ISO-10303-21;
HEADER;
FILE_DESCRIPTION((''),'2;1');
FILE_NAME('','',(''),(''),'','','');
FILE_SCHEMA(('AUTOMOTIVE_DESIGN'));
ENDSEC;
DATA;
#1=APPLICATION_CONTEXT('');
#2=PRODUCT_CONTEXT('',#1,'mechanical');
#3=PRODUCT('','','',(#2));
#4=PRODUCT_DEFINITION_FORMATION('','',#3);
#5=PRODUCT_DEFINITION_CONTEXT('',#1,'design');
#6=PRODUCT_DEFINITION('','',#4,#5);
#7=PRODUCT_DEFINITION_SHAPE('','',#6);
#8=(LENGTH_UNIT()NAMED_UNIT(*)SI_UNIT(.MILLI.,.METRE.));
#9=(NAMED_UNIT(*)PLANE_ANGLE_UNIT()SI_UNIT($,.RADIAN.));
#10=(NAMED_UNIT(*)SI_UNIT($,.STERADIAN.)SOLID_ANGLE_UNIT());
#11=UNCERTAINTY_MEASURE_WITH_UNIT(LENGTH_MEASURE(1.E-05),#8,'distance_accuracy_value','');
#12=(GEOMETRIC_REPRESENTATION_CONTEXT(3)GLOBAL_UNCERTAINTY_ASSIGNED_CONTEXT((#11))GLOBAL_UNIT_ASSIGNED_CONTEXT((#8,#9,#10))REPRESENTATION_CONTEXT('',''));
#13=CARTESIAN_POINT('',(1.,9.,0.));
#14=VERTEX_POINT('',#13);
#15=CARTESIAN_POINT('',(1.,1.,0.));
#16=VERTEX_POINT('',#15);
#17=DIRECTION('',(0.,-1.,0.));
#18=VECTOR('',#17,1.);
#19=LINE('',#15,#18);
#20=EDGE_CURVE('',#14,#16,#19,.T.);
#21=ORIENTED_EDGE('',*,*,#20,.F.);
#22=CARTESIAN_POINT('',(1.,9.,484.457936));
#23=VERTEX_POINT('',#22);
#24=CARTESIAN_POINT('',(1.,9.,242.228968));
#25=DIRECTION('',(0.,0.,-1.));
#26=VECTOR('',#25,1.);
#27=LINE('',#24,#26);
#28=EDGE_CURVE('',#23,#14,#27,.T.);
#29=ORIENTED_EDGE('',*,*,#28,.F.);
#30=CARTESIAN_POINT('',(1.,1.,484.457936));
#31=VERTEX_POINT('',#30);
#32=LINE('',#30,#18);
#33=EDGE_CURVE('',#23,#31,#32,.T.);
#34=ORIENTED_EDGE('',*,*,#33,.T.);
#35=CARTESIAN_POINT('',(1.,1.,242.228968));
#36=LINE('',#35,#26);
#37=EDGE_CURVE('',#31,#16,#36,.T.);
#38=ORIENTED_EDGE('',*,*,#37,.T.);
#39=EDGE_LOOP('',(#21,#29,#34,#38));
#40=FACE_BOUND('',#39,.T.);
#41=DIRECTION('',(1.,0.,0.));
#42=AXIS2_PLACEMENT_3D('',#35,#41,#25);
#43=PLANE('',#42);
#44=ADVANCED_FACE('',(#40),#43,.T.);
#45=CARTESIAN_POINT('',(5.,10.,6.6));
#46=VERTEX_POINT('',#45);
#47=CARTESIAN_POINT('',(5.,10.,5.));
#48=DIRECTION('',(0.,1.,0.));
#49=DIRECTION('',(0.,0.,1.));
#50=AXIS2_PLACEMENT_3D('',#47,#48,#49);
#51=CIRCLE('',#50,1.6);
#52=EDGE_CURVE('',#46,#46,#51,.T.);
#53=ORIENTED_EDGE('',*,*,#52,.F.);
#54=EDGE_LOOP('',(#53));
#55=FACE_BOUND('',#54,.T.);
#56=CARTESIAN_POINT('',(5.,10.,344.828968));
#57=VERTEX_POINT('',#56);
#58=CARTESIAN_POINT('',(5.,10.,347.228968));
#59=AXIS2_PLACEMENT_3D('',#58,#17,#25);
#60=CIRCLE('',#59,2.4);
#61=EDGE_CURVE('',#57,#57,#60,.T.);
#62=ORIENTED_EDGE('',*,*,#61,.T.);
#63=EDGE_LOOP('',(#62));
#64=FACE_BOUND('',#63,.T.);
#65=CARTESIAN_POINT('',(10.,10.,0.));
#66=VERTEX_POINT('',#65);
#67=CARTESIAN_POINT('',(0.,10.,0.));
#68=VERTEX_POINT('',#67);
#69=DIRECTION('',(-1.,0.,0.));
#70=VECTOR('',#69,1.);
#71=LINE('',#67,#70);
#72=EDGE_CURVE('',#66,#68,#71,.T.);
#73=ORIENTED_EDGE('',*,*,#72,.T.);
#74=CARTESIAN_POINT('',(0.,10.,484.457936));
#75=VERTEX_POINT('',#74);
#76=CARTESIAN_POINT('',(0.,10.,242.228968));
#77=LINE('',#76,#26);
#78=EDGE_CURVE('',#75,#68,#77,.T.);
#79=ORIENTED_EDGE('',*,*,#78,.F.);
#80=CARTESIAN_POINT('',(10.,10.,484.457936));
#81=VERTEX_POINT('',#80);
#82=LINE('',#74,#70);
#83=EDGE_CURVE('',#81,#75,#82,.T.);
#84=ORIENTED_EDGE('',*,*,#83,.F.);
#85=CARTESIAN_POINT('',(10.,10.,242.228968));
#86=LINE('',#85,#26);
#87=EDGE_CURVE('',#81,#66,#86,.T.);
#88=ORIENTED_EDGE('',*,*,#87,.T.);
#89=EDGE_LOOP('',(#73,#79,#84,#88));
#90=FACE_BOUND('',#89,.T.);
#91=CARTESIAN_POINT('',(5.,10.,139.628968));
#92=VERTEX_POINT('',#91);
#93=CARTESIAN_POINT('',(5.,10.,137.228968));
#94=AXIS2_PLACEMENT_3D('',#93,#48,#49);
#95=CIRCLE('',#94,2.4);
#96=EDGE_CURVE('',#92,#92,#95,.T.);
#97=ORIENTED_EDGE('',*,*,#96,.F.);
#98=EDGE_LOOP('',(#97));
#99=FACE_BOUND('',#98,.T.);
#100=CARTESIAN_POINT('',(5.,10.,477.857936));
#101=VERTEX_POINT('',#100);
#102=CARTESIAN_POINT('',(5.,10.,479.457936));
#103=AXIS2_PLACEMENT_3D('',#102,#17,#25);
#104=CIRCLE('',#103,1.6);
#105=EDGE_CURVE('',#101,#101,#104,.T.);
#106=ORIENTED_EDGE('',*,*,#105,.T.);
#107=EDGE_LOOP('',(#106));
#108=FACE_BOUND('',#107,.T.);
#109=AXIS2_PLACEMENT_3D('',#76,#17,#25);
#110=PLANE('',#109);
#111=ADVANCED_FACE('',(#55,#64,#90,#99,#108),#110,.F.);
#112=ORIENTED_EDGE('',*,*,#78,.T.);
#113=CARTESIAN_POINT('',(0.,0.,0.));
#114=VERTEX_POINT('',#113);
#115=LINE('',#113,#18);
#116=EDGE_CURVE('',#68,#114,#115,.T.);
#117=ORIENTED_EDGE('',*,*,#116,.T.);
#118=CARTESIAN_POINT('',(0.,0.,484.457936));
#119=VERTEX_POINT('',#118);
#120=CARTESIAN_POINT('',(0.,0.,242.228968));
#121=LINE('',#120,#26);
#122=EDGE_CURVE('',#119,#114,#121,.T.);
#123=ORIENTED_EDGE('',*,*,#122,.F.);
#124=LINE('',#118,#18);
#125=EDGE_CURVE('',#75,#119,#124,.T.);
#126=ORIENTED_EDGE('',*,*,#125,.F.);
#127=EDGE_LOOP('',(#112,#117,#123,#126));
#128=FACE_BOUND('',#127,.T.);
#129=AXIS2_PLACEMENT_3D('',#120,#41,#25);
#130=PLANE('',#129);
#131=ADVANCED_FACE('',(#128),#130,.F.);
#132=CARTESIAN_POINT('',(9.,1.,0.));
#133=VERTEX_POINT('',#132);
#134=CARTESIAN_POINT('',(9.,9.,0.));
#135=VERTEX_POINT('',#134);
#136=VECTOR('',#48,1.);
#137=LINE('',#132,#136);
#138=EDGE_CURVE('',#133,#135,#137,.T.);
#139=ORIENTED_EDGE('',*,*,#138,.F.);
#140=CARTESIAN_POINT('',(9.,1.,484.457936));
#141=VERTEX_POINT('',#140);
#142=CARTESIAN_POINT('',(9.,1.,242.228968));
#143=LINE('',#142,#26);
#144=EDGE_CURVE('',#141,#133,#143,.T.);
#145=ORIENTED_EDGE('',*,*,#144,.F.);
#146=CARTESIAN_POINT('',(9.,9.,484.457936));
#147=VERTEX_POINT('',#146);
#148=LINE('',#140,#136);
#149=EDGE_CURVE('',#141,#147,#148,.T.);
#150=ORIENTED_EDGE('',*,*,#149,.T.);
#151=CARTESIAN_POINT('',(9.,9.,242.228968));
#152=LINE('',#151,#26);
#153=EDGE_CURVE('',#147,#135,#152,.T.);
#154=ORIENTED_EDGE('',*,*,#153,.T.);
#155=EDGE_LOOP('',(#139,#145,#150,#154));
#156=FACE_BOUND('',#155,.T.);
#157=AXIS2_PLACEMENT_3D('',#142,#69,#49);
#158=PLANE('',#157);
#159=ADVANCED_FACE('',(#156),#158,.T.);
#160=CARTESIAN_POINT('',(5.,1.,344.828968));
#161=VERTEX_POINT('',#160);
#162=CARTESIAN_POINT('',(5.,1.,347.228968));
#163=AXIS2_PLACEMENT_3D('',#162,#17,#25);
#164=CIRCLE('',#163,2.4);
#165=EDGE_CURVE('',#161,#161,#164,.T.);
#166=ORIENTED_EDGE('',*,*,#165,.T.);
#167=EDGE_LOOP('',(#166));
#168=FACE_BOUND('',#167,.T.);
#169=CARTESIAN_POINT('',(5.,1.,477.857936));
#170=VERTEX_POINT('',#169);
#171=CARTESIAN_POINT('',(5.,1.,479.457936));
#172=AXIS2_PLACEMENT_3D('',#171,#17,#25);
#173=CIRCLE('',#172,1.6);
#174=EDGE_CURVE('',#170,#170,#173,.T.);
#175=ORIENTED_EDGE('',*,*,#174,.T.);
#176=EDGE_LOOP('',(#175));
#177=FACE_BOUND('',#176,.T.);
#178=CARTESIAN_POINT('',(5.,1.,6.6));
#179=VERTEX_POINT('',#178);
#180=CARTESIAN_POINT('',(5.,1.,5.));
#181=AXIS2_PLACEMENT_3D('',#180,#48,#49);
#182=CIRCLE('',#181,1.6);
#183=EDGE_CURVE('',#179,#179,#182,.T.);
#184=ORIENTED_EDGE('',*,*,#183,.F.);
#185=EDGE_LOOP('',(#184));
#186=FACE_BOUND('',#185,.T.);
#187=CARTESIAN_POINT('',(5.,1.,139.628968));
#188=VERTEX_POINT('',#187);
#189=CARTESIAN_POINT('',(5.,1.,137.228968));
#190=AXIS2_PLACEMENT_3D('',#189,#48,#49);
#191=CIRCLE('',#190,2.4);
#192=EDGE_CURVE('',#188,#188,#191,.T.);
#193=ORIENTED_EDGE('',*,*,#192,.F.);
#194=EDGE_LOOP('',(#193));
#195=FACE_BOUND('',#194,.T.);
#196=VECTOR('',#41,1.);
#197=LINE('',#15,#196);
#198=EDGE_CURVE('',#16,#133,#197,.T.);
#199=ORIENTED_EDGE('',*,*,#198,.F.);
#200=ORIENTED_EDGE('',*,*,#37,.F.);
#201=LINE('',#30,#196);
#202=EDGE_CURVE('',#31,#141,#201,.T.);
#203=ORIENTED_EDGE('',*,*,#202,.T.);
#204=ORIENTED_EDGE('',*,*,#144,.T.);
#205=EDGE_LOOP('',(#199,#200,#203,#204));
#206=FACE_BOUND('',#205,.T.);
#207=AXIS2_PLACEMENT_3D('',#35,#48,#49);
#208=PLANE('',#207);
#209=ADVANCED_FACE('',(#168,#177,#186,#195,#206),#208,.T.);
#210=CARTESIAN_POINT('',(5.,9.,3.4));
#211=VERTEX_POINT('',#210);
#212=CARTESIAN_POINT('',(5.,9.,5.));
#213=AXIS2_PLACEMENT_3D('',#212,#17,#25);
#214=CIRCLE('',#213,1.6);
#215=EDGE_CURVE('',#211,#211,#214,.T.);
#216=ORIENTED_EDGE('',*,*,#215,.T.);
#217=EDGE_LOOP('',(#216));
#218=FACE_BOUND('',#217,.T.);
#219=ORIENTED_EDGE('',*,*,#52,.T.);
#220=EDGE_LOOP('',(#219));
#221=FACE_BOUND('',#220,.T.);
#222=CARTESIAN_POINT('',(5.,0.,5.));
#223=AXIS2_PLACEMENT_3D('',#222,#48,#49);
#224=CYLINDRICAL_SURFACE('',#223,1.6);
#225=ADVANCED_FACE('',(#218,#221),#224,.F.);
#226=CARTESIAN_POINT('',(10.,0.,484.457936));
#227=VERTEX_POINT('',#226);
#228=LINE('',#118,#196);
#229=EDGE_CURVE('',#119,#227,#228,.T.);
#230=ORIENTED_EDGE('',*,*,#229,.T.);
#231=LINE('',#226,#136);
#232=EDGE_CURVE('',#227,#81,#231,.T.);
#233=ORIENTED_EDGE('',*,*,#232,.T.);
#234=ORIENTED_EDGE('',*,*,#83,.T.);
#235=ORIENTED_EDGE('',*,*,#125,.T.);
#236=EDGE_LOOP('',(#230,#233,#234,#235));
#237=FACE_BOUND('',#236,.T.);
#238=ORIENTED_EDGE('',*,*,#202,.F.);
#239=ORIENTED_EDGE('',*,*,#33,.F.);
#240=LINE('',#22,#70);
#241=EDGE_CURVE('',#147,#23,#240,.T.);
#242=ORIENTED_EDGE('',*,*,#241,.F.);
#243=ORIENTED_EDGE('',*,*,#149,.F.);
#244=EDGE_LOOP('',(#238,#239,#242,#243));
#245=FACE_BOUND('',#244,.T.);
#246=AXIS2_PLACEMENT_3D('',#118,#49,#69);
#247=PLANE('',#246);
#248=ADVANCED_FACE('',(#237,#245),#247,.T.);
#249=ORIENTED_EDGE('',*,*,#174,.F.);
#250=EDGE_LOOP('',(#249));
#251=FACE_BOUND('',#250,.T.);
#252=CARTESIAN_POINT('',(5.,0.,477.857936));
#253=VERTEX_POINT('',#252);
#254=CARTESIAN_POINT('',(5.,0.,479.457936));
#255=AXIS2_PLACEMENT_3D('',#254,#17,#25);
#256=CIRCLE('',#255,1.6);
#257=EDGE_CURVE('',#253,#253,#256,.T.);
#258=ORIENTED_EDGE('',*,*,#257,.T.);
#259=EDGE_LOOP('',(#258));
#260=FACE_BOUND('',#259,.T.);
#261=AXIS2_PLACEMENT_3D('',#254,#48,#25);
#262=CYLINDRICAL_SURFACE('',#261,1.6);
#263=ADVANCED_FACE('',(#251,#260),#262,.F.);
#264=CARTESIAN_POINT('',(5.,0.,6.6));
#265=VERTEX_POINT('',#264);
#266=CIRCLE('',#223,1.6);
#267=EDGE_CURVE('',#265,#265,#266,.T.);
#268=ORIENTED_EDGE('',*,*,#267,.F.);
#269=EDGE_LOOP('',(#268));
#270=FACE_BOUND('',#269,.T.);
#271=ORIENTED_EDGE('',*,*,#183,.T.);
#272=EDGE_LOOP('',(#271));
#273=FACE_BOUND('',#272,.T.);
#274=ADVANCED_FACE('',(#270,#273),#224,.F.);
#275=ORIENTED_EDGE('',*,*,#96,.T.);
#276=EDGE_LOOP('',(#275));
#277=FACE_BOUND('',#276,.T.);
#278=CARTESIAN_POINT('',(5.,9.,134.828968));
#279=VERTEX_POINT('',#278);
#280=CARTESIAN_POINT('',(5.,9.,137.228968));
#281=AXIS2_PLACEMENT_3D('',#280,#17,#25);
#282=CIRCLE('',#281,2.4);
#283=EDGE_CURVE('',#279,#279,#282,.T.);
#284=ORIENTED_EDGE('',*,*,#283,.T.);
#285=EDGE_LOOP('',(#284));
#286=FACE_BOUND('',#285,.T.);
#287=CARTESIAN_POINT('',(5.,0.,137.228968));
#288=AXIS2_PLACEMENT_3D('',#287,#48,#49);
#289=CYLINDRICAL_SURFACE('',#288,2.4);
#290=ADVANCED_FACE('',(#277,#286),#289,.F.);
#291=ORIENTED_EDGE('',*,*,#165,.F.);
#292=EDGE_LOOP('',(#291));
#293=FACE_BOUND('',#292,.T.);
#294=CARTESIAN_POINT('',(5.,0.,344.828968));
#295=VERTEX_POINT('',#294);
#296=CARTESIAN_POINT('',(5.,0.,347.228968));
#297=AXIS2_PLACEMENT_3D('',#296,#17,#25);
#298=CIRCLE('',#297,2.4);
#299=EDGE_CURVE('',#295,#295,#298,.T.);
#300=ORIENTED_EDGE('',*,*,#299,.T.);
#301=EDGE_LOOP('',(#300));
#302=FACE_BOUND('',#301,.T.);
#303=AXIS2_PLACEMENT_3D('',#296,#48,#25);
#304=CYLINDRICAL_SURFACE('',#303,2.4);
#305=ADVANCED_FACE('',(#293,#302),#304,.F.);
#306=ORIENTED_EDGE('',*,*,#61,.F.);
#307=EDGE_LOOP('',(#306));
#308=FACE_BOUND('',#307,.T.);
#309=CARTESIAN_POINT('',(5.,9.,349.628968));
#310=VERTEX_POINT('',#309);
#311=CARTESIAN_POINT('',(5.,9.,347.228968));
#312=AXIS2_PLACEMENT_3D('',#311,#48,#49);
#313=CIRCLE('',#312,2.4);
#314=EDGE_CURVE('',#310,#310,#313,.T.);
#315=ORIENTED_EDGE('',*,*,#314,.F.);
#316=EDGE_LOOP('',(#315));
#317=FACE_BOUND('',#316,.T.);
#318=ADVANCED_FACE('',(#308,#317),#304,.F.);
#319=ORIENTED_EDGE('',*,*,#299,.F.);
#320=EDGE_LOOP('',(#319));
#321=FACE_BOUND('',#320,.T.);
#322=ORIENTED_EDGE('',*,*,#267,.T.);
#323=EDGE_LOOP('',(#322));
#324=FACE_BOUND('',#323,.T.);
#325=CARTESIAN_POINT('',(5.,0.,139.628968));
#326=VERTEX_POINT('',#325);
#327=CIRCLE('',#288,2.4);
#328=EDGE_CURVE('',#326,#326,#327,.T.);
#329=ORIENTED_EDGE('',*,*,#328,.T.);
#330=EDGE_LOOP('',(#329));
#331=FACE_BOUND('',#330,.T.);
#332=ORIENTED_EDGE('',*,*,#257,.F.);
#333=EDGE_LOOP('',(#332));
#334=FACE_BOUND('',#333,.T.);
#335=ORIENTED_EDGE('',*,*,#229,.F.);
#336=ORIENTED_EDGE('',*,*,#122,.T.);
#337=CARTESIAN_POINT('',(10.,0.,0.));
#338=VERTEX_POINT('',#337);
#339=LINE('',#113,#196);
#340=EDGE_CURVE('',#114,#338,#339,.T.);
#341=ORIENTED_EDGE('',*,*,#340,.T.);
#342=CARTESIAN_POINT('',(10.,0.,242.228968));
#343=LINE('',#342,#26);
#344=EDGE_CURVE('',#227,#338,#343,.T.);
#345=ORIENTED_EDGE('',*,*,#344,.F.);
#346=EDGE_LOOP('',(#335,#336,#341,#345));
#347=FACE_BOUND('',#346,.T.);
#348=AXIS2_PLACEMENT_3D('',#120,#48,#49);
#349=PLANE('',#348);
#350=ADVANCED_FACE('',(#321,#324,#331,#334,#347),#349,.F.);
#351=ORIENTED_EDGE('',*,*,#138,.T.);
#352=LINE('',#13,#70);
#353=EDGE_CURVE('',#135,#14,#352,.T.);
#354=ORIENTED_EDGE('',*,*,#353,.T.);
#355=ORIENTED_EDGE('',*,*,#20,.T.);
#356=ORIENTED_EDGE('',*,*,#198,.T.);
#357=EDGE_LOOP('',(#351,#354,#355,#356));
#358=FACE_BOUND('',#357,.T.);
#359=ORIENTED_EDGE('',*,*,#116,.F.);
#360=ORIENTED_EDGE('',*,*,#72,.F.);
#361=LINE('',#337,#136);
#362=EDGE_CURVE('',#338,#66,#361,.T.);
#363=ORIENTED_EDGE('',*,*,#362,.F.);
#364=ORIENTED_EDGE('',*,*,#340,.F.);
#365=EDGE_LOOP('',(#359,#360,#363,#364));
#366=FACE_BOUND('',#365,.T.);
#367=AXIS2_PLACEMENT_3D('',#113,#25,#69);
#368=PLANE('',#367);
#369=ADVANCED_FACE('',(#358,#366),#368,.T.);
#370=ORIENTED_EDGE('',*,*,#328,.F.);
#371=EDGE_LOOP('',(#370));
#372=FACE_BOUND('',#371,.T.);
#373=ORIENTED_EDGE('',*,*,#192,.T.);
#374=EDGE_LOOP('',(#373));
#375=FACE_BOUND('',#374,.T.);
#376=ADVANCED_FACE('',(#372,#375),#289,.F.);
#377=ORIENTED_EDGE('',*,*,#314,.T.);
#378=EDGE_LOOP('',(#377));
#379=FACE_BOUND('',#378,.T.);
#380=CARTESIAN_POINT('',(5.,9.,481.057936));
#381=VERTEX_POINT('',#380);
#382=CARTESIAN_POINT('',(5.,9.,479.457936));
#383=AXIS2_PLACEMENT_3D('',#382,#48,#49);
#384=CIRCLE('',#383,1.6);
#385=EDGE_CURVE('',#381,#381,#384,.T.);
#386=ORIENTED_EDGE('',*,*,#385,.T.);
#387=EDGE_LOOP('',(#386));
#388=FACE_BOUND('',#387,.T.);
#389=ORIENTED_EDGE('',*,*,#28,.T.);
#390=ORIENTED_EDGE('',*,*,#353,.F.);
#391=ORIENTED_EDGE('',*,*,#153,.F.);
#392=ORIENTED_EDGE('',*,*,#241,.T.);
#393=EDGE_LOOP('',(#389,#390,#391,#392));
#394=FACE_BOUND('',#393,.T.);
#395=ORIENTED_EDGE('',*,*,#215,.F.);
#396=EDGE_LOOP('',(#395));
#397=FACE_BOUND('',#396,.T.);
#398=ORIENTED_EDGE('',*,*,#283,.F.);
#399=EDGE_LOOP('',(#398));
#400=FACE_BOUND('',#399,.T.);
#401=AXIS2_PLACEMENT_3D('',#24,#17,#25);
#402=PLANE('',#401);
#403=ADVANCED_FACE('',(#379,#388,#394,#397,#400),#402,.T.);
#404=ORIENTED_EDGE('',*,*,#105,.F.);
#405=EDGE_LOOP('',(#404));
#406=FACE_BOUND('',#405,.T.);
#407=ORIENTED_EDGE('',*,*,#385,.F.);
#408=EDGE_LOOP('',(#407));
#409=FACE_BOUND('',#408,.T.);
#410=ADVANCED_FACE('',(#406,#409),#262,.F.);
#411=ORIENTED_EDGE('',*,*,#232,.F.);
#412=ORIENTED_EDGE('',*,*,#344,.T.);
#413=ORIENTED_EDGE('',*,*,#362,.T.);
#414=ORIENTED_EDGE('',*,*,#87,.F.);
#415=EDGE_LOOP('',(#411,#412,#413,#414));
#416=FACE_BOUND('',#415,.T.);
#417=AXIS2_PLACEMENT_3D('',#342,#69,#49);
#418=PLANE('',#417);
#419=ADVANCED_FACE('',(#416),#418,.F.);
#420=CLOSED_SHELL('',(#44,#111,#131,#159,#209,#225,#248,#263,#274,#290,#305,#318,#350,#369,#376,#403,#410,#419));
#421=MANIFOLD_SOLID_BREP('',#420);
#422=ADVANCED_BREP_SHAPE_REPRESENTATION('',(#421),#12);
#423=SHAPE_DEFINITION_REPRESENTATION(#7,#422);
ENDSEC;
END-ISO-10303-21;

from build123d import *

# Parameters (mm, degrees)
SKETCH_1_W          = 10
SKETCH_1_H          = 10
SKETCH_1_W_2        = 8
SKETCH_1_H_2        = 8
EXTRUDE_1_DEPTH     = 242.228968082
SKETCH_2_R          = 2.4
SKETCH_2_R_2        = 1.6
CUT_EXTRUDE_1_DEPTH = 243.641449423


with BuildPart() as part:
    # ｽｹｯﾁ1 → ﾎﾞｽ - 押し出し1 (new body)
    with BuildSketch(Plane.XY):
        with Locations((5, 5)):
            Rectangle(SKETCH_1_W, SKETCH_1_H)
        with Locations((5, 5)):
            Rectangle(SKETCH_1_W_2, SKETCH_1_H_2, mode=Mode.SUBTRACT)
    extrude(amount=EXTRUDE_1_DEPTH)

    # ｽｹｯﾁ2 → ｶｯﾄ - 押し出し1 (cut, through all)
    with BuildSketch(Plane(origin=(0, 10, 0), x_dir=(1, 0, 0), z_dir=(0, 1, 0))):
        with Locations((5, -137.228968082)):
            Circle(SKETCH_2_R)
        with Locations((5, -5)):
            Circle(SKETCH_2_R_2)
    extrude(amount=-CUT_EXTRUDE_1_DEPTH, mode=Mode.SUBTRACT)

    # ﾐﾗｰ1: part across plane


with BuildPart() as part_1:
    add(part.part)
    add(part.part.mirror(Plane(origin=(0, 0, 242.228968082), x_dir=(1, 0, 0), z_dir=(0, 0, -1))))


solid = part_1.part
